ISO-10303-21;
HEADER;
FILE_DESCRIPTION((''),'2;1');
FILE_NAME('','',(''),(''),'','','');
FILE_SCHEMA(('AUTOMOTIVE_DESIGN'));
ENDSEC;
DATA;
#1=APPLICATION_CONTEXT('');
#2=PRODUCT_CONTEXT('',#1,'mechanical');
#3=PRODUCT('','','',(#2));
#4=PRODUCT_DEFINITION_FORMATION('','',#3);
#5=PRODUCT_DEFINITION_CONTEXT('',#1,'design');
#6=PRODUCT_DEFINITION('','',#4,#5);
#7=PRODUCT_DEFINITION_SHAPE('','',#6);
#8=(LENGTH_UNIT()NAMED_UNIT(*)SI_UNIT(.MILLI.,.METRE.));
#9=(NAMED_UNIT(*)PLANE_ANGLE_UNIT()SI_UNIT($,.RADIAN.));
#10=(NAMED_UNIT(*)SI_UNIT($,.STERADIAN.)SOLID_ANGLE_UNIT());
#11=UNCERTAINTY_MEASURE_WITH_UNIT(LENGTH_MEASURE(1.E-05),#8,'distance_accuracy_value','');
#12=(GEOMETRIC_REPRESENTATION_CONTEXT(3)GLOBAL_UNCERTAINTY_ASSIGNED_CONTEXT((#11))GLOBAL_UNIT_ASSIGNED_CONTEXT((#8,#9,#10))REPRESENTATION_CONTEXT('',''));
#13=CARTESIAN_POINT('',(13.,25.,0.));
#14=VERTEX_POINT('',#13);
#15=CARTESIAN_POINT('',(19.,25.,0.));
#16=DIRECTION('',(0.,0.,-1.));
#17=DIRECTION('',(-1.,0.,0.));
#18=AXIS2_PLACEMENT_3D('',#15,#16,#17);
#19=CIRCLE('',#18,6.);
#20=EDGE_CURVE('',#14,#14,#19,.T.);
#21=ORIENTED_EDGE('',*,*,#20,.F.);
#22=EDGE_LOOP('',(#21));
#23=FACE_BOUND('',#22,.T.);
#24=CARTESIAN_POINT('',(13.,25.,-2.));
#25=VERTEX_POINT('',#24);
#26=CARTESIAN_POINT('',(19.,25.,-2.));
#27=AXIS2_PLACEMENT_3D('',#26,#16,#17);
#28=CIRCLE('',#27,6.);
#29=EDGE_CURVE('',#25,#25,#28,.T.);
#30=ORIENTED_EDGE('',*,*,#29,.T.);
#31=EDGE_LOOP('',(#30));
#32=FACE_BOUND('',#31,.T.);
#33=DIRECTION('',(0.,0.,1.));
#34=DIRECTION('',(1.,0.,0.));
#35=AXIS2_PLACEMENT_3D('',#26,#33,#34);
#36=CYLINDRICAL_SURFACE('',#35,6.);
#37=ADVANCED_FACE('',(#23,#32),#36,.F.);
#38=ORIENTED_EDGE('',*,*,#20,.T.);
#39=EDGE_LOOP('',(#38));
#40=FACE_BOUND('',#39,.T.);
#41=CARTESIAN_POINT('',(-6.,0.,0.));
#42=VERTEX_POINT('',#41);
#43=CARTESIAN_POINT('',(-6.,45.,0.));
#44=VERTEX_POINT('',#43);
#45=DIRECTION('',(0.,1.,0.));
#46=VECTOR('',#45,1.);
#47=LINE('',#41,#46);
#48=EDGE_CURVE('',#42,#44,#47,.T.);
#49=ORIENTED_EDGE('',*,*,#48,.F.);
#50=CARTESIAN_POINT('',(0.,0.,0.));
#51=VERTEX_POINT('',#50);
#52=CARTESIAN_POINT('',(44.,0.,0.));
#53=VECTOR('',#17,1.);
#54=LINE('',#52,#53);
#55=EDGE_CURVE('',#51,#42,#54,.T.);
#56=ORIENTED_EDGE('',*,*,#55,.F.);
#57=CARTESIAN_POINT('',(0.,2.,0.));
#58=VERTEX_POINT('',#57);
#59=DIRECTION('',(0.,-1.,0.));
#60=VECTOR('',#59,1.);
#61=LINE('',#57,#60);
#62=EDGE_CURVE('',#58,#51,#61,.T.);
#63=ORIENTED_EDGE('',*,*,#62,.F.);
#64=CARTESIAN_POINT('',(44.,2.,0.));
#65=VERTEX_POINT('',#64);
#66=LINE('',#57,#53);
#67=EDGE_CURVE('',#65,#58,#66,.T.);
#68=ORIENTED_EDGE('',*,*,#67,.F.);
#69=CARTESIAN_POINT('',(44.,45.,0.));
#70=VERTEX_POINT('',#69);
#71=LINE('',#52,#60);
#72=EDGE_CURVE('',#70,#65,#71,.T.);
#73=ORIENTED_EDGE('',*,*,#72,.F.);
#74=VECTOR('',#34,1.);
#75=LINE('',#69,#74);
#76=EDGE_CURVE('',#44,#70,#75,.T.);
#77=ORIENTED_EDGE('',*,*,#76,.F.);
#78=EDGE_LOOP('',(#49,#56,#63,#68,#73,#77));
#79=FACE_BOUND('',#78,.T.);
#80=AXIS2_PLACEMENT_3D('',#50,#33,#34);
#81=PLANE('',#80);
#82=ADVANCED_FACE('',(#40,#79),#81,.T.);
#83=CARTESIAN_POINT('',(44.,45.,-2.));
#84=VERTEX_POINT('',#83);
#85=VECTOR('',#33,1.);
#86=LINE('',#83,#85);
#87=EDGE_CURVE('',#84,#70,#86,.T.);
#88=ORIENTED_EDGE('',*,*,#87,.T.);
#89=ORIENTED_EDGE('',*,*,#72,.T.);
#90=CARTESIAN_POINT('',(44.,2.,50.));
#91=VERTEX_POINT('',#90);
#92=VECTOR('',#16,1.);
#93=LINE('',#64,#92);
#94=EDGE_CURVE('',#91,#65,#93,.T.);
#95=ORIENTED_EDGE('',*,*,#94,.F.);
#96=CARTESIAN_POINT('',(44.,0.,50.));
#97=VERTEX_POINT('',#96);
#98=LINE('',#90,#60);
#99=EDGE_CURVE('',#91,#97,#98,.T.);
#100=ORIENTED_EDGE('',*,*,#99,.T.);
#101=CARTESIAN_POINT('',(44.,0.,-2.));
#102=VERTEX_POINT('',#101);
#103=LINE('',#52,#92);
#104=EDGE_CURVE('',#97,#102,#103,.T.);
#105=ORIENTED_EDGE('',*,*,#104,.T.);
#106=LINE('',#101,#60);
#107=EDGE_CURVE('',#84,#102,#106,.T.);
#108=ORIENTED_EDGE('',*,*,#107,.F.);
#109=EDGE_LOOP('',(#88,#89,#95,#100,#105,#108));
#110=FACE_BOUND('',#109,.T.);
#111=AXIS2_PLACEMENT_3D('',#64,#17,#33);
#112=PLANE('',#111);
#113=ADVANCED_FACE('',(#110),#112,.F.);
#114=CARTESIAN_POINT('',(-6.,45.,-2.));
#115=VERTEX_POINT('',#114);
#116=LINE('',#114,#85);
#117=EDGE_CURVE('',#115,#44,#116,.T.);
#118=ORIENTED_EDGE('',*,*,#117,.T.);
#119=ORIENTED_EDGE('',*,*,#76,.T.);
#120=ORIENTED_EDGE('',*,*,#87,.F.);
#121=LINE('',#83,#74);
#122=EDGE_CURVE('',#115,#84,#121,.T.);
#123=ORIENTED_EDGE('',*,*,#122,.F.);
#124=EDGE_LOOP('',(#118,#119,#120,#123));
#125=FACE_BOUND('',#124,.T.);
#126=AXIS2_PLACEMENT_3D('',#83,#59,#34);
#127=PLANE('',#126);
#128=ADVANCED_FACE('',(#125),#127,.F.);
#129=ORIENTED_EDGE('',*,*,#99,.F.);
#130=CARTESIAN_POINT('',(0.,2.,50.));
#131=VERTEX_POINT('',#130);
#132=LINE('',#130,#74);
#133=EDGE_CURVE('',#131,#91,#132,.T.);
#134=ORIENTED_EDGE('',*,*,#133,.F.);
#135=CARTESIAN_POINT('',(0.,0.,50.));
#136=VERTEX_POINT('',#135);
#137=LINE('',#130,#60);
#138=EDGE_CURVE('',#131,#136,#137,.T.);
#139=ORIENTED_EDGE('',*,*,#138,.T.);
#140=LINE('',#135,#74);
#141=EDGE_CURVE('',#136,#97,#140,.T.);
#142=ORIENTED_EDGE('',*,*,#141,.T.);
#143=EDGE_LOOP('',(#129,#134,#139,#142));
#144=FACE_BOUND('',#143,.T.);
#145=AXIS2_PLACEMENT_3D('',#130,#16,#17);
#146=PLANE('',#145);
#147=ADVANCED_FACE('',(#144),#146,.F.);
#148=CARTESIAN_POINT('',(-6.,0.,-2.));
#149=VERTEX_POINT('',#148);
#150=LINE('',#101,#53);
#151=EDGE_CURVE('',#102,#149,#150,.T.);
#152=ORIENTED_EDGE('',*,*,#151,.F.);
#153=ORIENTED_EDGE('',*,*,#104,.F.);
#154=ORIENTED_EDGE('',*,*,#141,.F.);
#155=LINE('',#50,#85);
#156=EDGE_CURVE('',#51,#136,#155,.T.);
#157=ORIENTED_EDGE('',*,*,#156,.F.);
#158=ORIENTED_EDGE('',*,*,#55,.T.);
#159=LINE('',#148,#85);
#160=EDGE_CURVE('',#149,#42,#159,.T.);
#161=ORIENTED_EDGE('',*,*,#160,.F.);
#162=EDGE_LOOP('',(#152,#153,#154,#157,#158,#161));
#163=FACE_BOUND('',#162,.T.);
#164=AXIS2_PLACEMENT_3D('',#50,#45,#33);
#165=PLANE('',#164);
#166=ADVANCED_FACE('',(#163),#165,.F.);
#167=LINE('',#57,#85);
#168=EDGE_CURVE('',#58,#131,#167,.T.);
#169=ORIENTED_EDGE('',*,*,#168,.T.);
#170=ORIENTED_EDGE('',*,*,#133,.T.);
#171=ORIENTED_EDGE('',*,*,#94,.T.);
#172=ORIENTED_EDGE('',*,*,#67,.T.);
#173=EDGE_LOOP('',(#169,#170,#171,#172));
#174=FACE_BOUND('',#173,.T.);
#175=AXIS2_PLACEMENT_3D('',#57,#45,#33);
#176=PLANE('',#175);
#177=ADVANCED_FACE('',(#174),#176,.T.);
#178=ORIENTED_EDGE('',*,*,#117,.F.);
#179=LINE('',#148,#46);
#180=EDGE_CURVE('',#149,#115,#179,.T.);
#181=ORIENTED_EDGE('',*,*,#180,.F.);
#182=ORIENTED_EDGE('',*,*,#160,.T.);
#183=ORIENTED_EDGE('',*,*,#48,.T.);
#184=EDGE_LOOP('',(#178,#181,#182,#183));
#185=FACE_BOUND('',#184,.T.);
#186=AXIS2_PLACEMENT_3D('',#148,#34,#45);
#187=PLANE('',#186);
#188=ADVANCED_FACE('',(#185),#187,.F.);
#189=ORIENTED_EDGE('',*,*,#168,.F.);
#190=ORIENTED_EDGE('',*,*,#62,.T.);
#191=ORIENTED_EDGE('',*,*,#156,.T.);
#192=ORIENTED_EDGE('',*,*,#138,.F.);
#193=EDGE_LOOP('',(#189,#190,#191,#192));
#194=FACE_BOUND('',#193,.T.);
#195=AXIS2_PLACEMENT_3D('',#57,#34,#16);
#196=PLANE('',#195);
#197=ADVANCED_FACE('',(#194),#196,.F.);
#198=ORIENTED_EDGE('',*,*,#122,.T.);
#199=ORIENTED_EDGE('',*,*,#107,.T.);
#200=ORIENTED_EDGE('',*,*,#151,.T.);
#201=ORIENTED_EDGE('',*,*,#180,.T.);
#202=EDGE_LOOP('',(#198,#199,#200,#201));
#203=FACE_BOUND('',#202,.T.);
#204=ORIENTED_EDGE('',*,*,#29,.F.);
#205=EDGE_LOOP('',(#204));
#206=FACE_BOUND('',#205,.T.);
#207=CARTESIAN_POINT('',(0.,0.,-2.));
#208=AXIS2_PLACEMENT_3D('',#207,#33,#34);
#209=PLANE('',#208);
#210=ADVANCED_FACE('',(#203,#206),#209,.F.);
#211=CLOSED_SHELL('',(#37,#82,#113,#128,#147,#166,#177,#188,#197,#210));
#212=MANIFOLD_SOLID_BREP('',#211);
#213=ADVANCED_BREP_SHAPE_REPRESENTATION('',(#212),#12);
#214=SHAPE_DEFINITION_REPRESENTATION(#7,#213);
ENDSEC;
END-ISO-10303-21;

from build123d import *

# Parameters (mm, degrees)
SKETCH1_W           = 44
SKETCH1_H           = 50
BOSS_EXTRUDE1_DEPTH = 2
SKETCH2_W           = 50
SKETCH2_H           = 45
SKETCH2_R           = 6
BOSS_EXTRUDE2_DEPTH = 2


with BuildPart() as part:
    # Sketch1 → Boss-Extrude1 (new body)
    with BuildSketch(Plane(origin=(0, 0, 0), x_dir=(1, 0, 0), z_dir=(0, 1, 0))):
        with Locations((22, -25)):
            Rectangle(SKETCH1_W, SKETCH1_H)
    extrude(amount=BOSS_EXTRUDE1_DEPTH)

    # Sketch2 → Boss-Extrude2 (add)
    with BuildSketch(Plane(origin=(0, 0, 0), x_dir=(-1, 0, 0), z_dir=(0, 0, -1))):
        with Locations((-19, 22.5)):
            Rectangle(SKETCH2_W, SKETCH2_H)
        with Locations((-19, 25)):
            Circle(SKETCH2_R, mode=Mode.SUBTRACT)
    extrude(amount=BOSS_EXTRUDE2_DEPTH)


solid = part.part
